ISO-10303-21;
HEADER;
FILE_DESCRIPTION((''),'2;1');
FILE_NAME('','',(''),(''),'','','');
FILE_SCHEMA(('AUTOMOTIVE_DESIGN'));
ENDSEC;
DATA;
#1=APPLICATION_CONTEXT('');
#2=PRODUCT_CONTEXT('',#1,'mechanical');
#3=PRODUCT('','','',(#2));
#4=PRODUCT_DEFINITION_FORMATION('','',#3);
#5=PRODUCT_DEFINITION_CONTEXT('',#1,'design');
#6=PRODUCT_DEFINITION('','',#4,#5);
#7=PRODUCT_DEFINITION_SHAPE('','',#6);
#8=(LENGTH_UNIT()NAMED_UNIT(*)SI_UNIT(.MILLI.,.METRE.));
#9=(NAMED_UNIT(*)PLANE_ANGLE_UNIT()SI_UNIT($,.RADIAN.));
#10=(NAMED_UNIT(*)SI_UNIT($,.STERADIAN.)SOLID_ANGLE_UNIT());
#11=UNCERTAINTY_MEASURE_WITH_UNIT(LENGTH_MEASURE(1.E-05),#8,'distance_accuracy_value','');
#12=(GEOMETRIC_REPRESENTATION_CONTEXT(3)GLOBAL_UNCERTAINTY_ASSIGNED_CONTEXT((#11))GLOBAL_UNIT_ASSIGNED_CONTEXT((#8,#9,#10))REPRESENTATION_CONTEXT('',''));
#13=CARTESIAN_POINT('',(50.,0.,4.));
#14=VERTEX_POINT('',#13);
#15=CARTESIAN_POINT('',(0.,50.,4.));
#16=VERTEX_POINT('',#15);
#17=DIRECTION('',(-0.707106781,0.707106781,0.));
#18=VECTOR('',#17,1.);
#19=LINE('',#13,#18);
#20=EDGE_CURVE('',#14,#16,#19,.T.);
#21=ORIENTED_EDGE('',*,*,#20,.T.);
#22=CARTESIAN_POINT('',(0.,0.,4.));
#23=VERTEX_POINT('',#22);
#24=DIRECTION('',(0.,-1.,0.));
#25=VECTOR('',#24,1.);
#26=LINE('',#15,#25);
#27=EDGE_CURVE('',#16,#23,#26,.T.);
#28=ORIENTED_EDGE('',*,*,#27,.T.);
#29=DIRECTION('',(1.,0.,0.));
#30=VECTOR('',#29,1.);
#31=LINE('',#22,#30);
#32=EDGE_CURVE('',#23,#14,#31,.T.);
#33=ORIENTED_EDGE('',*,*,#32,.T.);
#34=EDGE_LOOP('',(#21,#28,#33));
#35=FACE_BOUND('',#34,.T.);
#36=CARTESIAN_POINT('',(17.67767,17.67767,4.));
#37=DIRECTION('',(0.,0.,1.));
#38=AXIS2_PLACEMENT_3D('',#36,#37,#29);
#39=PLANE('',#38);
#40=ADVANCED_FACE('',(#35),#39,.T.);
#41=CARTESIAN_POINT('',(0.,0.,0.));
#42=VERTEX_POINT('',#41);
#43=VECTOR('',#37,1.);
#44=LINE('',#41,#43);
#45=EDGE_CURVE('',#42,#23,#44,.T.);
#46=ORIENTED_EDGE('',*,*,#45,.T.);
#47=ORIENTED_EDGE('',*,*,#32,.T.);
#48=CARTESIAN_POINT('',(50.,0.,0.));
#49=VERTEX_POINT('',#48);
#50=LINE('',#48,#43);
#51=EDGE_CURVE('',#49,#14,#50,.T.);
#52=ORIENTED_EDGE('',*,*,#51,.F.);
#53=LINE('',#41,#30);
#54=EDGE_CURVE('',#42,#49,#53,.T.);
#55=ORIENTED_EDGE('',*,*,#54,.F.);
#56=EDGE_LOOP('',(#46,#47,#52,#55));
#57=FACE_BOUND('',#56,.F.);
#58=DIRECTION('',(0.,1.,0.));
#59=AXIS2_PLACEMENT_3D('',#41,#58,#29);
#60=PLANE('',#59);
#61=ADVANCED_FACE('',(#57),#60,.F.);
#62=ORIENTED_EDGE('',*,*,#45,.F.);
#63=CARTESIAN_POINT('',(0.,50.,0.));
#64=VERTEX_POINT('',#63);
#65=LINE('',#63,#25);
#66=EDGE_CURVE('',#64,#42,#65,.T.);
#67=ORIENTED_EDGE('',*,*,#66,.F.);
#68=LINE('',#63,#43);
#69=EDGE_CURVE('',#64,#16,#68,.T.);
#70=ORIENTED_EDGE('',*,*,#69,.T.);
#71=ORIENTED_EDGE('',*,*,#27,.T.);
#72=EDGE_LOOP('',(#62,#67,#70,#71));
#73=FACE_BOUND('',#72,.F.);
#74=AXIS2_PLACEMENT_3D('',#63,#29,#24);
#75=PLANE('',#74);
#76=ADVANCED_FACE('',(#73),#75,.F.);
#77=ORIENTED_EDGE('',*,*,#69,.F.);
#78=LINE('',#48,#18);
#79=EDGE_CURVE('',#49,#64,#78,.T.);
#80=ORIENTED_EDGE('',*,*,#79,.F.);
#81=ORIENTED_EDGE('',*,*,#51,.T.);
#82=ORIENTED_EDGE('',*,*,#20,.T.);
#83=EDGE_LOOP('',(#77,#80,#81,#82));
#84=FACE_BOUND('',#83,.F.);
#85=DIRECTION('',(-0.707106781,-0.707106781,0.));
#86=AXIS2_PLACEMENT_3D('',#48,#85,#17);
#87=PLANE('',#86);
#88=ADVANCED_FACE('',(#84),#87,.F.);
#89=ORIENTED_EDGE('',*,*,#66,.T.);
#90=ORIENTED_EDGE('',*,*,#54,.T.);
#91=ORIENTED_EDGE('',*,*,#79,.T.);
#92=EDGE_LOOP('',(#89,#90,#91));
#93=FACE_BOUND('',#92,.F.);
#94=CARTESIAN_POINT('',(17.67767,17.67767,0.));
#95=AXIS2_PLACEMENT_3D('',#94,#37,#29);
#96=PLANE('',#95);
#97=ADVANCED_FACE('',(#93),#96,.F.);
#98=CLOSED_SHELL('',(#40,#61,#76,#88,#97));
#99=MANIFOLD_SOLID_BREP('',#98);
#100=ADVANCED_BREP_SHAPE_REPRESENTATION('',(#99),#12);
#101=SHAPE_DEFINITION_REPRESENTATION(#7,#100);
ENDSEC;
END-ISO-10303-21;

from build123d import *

# Parameters (mm, degrees)
PAD_DEPTH = 4


with BuildPart() as part:
    # Sketch → Pad (new body)
    with BuildSketch(Plane.XY):
        Polygon((0, 50), (0, 0), (50, 0), align=None)
    extrude(amount=PAD_DEPTH)


solid = part.part
